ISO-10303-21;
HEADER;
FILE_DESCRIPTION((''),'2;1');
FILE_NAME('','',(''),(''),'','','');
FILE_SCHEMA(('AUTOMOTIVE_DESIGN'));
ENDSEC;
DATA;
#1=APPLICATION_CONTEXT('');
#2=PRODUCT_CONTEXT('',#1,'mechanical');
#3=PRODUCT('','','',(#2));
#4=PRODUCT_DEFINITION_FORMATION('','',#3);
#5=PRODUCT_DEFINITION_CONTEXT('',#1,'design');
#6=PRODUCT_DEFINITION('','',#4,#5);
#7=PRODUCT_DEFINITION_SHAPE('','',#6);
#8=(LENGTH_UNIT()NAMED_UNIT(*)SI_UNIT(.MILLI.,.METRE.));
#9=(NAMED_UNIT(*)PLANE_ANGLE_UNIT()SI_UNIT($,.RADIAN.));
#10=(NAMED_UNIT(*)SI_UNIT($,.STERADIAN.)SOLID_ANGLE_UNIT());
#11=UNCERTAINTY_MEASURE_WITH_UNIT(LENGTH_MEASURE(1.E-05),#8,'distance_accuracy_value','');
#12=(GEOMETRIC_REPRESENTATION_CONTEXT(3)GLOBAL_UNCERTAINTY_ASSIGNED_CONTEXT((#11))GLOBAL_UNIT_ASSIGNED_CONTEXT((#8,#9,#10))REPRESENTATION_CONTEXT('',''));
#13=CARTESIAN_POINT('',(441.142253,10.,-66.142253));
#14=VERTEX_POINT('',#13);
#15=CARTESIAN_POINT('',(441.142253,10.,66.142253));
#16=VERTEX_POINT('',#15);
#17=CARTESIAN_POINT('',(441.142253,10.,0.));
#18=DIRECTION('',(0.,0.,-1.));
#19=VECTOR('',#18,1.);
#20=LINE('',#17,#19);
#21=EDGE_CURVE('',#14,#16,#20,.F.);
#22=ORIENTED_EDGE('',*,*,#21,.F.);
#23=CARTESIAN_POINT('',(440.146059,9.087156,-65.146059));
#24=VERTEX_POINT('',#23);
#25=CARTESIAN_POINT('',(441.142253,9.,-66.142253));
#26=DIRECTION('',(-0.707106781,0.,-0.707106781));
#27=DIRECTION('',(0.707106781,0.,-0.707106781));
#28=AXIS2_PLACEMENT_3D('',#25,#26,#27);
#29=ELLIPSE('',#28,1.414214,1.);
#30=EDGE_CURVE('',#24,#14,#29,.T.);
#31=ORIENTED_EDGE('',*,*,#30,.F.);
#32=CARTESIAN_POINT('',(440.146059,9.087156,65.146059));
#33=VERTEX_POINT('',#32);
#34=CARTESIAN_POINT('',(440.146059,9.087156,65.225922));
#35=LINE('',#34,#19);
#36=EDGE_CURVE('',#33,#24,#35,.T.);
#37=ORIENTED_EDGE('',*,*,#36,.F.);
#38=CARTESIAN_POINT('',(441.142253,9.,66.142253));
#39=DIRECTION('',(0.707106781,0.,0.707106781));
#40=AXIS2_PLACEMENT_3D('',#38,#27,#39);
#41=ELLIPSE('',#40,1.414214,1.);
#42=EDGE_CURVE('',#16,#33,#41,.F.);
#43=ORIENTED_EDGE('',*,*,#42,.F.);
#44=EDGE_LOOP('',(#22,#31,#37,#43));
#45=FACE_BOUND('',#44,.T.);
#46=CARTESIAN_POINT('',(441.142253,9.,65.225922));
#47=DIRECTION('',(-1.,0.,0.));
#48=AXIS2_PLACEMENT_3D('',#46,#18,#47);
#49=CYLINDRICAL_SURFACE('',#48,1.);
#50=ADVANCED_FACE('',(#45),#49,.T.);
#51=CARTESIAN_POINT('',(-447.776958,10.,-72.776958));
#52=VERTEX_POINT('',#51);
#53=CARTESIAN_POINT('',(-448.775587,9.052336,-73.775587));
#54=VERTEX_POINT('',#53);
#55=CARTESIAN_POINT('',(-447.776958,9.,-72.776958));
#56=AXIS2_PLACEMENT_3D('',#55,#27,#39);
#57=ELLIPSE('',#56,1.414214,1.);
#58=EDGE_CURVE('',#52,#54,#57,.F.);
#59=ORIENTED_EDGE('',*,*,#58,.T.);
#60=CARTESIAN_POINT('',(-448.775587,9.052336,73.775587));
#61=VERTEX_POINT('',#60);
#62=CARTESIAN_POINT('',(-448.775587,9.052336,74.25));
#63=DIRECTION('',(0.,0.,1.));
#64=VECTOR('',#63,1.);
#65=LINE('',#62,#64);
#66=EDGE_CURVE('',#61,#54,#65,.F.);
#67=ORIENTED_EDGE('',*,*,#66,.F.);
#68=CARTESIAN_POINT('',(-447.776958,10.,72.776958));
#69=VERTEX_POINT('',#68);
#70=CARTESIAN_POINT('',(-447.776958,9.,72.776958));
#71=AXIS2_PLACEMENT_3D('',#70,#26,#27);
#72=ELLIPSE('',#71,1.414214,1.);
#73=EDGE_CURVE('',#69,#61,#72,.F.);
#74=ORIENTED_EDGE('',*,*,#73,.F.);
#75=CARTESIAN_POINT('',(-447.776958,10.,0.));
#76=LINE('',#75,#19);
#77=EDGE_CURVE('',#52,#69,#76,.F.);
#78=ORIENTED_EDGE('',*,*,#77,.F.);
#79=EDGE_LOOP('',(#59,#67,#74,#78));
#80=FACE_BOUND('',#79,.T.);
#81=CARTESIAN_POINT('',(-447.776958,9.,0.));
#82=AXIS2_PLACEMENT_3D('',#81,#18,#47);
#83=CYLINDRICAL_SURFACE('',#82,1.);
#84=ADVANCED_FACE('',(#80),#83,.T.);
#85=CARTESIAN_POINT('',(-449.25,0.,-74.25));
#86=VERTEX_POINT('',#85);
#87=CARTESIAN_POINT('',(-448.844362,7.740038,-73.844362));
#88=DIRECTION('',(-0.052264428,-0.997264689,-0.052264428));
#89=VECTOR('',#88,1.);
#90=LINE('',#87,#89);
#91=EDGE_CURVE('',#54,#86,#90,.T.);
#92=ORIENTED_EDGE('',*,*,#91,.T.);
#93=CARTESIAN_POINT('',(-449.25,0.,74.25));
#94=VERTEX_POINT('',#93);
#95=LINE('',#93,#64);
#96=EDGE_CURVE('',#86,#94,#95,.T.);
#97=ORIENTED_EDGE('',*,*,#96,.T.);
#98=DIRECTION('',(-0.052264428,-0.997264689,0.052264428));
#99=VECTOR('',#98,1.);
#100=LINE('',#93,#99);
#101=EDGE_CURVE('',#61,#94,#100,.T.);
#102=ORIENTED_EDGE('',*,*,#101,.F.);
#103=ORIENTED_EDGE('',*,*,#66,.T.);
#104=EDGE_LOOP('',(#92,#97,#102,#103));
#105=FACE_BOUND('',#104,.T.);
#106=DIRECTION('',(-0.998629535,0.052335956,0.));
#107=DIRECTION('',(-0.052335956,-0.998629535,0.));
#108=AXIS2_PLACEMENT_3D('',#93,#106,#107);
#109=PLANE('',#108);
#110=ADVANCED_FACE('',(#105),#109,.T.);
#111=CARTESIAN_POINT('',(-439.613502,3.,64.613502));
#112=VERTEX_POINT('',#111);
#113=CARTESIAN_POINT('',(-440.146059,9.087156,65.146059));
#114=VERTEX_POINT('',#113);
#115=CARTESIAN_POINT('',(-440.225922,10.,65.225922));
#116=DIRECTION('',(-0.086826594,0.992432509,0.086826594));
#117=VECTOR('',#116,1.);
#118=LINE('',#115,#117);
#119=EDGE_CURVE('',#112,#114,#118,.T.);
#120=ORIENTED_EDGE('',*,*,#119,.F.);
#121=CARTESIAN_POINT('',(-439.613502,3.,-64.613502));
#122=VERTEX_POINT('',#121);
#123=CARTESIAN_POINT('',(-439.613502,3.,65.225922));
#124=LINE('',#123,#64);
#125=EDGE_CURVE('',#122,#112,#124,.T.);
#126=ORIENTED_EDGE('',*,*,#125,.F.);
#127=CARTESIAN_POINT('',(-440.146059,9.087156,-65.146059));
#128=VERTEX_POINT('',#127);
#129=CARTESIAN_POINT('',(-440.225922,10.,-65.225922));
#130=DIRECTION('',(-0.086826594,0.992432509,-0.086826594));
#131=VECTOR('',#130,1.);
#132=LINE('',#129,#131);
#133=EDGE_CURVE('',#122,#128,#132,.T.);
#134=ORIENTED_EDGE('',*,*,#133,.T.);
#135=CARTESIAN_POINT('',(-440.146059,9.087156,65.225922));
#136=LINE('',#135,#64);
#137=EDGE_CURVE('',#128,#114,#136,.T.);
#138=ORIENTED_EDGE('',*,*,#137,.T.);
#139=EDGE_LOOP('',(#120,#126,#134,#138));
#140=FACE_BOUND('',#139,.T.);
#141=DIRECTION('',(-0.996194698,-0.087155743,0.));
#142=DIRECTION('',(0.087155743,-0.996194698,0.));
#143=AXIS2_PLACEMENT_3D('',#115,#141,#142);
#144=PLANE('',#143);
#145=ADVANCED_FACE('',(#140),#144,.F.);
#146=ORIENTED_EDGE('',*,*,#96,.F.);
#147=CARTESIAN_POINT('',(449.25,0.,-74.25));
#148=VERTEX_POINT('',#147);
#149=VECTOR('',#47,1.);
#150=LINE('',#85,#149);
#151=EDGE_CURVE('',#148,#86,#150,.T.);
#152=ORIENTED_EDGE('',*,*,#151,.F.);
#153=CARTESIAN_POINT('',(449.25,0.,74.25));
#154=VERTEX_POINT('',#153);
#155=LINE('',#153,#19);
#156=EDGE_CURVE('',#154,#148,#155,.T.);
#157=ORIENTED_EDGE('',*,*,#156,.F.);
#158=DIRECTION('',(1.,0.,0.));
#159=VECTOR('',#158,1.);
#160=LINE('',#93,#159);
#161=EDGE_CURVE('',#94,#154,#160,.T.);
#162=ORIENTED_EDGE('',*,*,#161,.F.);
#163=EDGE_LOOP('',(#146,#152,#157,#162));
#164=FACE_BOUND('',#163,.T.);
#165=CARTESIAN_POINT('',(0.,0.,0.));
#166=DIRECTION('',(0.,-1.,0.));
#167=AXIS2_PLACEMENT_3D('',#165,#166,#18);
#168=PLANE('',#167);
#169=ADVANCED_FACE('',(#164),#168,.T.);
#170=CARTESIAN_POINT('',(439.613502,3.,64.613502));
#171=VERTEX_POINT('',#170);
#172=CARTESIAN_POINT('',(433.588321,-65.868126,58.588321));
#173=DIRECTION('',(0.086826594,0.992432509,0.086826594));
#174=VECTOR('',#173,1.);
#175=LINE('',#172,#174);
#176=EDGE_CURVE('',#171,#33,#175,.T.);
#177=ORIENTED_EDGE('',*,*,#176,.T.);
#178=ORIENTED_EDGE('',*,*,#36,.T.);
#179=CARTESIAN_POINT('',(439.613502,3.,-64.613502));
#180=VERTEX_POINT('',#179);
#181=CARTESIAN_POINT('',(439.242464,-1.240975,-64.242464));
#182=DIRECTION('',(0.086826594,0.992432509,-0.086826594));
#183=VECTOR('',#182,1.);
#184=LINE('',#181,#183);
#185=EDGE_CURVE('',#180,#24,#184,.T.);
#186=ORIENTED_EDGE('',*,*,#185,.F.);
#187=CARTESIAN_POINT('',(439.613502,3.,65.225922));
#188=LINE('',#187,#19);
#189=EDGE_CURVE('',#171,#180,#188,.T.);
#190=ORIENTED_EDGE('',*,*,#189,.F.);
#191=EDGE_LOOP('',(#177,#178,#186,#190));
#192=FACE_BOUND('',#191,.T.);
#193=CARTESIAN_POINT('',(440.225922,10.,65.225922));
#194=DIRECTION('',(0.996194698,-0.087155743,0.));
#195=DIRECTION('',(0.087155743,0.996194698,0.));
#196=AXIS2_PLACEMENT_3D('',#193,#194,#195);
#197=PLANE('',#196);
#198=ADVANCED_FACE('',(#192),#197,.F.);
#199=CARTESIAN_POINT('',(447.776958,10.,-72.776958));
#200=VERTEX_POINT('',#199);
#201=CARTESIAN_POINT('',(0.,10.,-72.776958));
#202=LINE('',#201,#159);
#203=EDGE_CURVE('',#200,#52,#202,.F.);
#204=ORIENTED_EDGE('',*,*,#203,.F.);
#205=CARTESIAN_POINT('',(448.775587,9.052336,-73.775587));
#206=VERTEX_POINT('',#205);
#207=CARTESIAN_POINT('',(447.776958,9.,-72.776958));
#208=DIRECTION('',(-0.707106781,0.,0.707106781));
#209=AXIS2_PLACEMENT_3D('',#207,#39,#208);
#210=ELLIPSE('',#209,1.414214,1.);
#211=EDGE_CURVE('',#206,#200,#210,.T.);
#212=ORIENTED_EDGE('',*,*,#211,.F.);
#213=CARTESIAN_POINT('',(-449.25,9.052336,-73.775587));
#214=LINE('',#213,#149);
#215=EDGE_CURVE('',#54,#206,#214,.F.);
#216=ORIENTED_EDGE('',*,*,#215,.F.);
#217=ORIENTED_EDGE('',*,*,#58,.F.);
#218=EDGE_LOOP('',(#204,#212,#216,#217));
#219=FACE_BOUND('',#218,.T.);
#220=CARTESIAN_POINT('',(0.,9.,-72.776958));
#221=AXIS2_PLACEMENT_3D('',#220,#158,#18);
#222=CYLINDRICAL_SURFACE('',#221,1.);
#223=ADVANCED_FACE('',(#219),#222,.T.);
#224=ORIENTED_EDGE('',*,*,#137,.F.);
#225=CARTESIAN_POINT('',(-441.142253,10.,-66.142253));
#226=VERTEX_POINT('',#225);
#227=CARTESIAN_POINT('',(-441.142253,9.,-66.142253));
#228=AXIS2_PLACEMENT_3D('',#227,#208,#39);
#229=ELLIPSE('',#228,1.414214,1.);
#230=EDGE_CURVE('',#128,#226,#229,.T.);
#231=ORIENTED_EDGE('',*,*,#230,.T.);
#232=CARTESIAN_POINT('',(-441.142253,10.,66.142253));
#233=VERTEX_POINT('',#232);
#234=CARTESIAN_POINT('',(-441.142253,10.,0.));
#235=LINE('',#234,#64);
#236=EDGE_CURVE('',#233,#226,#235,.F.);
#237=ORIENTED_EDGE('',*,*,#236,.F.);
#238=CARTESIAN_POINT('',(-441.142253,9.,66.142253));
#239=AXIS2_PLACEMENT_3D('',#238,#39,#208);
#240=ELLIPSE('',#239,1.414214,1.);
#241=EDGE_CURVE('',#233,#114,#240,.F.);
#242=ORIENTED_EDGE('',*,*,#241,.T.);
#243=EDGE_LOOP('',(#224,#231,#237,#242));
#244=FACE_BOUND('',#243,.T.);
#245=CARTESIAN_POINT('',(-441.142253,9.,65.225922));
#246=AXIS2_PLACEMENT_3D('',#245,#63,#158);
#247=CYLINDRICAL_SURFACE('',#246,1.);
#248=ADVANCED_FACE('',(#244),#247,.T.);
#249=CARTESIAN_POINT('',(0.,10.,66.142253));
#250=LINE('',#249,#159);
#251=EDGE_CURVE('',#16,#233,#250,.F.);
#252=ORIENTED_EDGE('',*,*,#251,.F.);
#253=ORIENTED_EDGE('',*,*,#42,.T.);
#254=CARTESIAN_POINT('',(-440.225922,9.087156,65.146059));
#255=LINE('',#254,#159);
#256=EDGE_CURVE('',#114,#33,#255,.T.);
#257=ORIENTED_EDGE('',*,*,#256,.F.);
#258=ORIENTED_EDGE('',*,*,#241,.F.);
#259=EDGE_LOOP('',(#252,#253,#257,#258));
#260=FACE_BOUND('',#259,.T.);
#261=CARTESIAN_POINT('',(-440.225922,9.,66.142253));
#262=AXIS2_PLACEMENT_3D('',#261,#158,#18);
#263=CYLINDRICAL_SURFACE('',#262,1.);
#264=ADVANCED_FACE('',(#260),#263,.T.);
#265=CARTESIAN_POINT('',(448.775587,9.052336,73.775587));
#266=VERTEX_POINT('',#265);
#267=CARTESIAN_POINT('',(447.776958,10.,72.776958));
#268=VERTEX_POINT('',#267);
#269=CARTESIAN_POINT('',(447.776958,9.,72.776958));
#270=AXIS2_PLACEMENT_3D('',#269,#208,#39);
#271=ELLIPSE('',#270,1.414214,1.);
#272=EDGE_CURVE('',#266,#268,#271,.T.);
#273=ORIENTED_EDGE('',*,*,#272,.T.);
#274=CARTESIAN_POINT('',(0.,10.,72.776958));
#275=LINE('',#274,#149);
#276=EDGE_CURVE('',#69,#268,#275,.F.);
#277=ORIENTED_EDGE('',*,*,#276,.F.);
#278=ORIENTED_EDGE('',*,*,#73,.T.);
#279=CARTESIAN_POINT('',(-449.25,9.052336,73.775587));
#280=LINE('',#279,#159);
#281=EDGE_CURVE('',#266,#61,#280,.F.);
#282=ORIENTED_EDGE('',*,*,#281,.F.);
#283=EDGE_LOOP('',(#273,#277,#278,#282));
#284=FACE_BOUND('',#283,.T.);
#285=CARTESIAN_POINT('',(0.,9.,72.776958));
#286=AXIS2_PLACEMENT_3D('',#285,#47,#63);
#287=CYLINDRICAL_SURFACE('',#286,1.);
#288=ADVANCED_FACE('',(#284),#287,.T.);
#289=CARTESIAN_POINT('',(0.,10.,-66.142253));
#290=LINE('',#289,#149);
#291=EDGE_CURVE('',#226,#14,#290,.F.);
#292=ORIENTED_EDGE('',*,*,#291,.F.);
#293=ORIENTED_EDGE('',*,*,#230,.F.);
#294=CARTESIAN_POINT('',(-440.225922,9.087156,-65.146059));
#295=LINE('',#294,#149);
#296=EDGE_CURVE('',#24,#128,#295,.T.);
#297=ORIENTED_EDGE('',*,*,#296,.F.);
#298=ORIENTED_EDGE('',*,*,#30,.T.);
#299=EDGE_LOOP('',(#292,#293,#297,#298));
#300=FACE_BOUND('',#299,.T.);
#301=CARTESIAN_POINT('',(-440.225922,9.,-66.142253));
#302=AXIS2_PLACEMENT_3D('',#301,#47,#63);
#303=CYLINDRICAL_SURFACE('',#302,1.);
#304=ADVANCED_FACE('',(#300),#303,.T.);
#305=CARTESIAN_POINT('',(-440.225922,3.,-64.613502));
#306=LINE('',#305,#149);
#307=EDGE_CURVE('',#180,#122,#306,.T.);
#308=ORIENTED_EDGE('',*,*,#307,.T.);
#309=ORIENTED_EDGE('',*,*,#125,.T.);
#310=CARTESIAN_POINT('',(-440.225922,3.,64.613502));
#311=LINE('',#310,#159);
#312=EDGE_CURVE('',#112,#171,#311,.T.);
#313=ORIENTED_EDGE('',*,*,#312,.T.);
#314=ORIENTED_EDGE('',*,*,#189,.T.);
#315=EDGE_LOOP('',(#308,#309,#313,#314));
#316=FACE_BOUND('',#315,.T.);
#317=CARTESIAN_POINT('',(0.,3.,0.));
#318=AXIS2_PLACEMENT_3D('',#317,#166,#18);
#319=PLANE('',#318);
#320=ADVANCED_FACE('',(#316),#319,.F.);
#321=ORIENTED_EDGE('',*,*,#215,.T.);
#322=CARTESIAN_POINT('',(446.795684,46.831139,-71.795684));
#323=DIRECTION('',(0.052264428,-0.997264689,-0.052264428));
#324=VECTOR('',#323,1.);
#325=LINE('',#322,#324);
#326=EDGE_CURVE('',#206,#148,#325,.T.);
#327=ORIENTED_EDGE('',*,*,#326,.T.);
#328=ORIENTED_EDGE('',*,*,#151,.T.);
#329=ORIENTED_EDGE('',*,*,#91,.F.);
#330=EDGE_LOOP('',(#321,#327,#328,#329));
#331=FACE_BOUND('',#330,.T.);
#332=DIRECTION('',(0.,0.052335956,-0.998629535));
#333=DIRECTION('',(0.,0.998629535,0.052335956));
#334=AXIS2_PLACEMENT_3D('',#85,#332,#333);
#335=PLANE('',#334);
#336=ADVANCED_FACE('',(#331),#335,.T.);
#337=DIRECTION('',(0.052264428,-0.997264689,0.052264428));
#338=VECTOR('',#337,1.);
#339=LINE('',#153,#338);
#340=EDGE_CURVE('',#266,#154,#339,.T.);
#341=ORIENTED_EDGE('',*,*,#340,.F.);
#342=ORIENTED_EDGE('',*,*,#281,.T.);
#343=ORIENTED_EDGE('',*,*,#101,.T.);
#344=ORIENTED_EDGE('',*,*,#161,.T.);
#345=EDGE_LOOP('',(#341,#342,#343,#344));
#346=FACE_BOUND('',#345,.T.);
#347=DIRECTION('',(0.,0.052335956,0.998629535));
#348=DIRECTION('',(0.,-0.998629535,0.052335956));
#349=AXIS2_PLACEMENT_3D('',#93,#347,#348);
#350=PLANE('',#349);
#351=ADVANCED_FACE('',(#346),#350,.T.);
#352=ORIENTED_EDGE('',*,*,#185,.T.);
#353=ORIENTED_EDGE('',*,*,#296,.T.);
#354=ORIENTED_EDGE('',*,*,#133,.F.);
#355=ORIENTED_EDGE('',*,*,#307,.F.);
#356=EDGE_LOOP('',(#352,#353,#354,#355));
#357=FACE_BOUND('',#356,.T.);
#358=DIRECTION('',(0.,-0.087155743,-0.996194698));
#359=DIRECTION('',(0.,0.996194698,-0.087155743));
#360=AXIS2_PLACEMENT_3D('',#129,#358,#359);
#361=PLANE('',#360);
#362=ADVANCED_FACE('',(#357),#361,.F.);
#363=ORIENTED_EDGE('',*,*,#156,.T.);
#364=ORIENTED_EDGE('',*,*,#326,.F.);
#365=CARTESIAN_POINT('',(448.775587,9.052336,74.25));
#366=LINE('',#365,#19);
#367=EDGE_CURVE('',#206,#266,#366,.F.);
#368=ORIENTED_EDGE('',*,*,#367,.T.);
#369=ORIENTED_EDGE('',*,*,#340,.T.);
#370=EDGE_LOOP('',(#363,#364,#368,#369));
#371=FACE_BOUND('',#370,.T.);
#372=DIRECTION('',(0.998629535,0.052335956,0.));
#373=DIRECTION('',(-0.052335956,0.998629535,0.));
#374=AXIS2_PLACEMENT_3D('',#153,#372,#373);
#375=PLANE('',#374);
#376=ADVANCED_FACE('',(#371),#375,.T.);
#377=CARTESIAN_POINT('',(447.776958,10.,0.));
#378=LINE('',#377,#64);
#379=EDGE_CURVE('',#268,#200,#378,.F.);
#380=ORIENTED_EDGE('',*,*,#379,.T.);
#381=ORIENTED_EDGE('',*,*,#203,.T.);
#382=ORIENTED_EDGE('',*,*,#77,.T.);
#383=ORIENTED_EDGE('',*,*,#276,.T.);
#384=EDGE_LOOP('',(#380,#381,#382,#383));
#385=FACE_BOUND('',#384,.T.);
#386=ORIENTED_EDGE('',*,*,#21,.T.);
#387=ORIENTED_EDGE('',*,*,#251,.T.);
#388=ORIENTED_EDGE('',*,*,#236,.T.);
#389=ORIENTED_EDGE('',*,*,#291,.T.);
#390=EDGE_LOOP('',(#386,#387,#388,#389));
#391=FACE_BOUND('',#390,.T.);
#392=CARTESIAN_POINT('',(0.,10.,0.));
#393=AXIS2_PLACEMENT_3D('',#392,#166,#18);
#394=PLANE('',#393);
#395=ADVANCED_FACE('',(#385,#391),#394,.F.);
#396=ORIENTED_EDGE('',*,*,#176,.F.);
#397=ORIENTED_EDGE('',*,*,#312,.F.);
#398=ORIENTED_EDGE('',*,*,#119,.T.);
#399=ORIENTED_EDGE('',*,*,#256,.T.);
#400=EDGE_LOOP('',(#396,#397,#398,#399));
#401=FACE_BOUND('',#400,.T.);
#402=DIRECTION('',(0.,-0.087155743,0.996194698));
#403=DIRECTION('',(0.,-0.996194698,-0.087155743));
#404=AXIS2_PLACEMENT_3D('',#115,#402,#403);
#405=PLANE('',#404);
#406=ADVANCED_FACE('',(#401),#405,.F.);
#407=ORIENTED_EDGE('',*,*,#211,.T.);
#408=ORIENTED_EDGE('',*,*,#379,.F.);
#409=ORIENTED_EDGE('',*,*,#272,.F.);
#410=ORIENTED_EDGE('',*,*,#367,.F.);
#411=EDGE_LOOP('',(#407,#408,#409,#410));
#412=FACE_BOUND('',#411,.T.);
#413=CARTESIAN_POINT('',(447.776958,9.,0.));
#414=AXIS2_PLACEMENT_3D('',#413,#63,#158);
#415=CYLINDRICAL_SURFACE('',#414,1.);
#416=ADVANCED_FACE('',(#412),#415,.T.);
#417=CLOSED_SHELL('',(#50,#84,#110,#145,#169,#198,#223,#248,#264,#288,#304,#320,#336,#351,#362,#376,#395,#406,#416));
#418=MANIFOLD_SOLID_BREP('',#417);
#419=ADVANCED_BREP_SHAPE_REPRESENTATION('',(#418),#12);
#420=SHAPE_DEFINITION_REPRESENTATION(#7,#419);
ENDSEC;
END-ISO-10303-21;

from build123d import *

# Parameters (mm, degrees)
SKETCH1_W           = 898.5
SKETCH1_H           = 148.5
BOSS_EXTRUDE1_DEPTH = 10
BOSS_EXTRUDE1_TAPER = 3
SKETCH2_W           = 880.451844414
SKETCH2_H           = 130.451844414
CUT_EXTRUDE1_DEPTH  = 7
CUT_EXTRUDE1_TAPER  = 5
FILLET1_R           = 1


with BuildPart() as part:
    # Sketch1 → Boss-Extrude1 (new body)
    with BuildSketch(Plane(origin=(0, 0, 0), x_dir=(1, 0, 0), z_dir=(0, 1, 0))):
        Rectangle(SKETCH1_W, SKETCH1_H)
    extrude(amount=BOSS_EXTRUDE1_DEPTH, taper=BOSS_EXTRUDE1_TAPER)

    # Sketch2 → Cut-Extrude1 (cut)
    with BuildSketch(Plane(origin=(0, 10, 0), x_dir=(1, 0, 0), z_dir=(0, 1, 0))):
        Rectangle(SKETCH2_W, SKETCH2_H)
    extrude(amount=-CUT_EXTRUDE1_DEPTH, taper=CUT_EXTRUDE1_TAPER, mode=Mode.SUBTRACT)

    # Fillet1
    fillet1_edges = [part.edges().sort_by_distance(p)[0] for p in [
        (-448.725922207, 10, 0),
        (0, 10, 73.725922207),
        (440.225922207, 10, 0),
        (0, 10, -65.225922207),
        (-440.225922207, 10, 0),
        (0, 10, 65.225922207),
        (448.725922207, 10, 0),
        (0, 10, -73.725922207),
    ]]
    fillet(fillet1_edges, radius=FILLET1_R)


solid = part.part
